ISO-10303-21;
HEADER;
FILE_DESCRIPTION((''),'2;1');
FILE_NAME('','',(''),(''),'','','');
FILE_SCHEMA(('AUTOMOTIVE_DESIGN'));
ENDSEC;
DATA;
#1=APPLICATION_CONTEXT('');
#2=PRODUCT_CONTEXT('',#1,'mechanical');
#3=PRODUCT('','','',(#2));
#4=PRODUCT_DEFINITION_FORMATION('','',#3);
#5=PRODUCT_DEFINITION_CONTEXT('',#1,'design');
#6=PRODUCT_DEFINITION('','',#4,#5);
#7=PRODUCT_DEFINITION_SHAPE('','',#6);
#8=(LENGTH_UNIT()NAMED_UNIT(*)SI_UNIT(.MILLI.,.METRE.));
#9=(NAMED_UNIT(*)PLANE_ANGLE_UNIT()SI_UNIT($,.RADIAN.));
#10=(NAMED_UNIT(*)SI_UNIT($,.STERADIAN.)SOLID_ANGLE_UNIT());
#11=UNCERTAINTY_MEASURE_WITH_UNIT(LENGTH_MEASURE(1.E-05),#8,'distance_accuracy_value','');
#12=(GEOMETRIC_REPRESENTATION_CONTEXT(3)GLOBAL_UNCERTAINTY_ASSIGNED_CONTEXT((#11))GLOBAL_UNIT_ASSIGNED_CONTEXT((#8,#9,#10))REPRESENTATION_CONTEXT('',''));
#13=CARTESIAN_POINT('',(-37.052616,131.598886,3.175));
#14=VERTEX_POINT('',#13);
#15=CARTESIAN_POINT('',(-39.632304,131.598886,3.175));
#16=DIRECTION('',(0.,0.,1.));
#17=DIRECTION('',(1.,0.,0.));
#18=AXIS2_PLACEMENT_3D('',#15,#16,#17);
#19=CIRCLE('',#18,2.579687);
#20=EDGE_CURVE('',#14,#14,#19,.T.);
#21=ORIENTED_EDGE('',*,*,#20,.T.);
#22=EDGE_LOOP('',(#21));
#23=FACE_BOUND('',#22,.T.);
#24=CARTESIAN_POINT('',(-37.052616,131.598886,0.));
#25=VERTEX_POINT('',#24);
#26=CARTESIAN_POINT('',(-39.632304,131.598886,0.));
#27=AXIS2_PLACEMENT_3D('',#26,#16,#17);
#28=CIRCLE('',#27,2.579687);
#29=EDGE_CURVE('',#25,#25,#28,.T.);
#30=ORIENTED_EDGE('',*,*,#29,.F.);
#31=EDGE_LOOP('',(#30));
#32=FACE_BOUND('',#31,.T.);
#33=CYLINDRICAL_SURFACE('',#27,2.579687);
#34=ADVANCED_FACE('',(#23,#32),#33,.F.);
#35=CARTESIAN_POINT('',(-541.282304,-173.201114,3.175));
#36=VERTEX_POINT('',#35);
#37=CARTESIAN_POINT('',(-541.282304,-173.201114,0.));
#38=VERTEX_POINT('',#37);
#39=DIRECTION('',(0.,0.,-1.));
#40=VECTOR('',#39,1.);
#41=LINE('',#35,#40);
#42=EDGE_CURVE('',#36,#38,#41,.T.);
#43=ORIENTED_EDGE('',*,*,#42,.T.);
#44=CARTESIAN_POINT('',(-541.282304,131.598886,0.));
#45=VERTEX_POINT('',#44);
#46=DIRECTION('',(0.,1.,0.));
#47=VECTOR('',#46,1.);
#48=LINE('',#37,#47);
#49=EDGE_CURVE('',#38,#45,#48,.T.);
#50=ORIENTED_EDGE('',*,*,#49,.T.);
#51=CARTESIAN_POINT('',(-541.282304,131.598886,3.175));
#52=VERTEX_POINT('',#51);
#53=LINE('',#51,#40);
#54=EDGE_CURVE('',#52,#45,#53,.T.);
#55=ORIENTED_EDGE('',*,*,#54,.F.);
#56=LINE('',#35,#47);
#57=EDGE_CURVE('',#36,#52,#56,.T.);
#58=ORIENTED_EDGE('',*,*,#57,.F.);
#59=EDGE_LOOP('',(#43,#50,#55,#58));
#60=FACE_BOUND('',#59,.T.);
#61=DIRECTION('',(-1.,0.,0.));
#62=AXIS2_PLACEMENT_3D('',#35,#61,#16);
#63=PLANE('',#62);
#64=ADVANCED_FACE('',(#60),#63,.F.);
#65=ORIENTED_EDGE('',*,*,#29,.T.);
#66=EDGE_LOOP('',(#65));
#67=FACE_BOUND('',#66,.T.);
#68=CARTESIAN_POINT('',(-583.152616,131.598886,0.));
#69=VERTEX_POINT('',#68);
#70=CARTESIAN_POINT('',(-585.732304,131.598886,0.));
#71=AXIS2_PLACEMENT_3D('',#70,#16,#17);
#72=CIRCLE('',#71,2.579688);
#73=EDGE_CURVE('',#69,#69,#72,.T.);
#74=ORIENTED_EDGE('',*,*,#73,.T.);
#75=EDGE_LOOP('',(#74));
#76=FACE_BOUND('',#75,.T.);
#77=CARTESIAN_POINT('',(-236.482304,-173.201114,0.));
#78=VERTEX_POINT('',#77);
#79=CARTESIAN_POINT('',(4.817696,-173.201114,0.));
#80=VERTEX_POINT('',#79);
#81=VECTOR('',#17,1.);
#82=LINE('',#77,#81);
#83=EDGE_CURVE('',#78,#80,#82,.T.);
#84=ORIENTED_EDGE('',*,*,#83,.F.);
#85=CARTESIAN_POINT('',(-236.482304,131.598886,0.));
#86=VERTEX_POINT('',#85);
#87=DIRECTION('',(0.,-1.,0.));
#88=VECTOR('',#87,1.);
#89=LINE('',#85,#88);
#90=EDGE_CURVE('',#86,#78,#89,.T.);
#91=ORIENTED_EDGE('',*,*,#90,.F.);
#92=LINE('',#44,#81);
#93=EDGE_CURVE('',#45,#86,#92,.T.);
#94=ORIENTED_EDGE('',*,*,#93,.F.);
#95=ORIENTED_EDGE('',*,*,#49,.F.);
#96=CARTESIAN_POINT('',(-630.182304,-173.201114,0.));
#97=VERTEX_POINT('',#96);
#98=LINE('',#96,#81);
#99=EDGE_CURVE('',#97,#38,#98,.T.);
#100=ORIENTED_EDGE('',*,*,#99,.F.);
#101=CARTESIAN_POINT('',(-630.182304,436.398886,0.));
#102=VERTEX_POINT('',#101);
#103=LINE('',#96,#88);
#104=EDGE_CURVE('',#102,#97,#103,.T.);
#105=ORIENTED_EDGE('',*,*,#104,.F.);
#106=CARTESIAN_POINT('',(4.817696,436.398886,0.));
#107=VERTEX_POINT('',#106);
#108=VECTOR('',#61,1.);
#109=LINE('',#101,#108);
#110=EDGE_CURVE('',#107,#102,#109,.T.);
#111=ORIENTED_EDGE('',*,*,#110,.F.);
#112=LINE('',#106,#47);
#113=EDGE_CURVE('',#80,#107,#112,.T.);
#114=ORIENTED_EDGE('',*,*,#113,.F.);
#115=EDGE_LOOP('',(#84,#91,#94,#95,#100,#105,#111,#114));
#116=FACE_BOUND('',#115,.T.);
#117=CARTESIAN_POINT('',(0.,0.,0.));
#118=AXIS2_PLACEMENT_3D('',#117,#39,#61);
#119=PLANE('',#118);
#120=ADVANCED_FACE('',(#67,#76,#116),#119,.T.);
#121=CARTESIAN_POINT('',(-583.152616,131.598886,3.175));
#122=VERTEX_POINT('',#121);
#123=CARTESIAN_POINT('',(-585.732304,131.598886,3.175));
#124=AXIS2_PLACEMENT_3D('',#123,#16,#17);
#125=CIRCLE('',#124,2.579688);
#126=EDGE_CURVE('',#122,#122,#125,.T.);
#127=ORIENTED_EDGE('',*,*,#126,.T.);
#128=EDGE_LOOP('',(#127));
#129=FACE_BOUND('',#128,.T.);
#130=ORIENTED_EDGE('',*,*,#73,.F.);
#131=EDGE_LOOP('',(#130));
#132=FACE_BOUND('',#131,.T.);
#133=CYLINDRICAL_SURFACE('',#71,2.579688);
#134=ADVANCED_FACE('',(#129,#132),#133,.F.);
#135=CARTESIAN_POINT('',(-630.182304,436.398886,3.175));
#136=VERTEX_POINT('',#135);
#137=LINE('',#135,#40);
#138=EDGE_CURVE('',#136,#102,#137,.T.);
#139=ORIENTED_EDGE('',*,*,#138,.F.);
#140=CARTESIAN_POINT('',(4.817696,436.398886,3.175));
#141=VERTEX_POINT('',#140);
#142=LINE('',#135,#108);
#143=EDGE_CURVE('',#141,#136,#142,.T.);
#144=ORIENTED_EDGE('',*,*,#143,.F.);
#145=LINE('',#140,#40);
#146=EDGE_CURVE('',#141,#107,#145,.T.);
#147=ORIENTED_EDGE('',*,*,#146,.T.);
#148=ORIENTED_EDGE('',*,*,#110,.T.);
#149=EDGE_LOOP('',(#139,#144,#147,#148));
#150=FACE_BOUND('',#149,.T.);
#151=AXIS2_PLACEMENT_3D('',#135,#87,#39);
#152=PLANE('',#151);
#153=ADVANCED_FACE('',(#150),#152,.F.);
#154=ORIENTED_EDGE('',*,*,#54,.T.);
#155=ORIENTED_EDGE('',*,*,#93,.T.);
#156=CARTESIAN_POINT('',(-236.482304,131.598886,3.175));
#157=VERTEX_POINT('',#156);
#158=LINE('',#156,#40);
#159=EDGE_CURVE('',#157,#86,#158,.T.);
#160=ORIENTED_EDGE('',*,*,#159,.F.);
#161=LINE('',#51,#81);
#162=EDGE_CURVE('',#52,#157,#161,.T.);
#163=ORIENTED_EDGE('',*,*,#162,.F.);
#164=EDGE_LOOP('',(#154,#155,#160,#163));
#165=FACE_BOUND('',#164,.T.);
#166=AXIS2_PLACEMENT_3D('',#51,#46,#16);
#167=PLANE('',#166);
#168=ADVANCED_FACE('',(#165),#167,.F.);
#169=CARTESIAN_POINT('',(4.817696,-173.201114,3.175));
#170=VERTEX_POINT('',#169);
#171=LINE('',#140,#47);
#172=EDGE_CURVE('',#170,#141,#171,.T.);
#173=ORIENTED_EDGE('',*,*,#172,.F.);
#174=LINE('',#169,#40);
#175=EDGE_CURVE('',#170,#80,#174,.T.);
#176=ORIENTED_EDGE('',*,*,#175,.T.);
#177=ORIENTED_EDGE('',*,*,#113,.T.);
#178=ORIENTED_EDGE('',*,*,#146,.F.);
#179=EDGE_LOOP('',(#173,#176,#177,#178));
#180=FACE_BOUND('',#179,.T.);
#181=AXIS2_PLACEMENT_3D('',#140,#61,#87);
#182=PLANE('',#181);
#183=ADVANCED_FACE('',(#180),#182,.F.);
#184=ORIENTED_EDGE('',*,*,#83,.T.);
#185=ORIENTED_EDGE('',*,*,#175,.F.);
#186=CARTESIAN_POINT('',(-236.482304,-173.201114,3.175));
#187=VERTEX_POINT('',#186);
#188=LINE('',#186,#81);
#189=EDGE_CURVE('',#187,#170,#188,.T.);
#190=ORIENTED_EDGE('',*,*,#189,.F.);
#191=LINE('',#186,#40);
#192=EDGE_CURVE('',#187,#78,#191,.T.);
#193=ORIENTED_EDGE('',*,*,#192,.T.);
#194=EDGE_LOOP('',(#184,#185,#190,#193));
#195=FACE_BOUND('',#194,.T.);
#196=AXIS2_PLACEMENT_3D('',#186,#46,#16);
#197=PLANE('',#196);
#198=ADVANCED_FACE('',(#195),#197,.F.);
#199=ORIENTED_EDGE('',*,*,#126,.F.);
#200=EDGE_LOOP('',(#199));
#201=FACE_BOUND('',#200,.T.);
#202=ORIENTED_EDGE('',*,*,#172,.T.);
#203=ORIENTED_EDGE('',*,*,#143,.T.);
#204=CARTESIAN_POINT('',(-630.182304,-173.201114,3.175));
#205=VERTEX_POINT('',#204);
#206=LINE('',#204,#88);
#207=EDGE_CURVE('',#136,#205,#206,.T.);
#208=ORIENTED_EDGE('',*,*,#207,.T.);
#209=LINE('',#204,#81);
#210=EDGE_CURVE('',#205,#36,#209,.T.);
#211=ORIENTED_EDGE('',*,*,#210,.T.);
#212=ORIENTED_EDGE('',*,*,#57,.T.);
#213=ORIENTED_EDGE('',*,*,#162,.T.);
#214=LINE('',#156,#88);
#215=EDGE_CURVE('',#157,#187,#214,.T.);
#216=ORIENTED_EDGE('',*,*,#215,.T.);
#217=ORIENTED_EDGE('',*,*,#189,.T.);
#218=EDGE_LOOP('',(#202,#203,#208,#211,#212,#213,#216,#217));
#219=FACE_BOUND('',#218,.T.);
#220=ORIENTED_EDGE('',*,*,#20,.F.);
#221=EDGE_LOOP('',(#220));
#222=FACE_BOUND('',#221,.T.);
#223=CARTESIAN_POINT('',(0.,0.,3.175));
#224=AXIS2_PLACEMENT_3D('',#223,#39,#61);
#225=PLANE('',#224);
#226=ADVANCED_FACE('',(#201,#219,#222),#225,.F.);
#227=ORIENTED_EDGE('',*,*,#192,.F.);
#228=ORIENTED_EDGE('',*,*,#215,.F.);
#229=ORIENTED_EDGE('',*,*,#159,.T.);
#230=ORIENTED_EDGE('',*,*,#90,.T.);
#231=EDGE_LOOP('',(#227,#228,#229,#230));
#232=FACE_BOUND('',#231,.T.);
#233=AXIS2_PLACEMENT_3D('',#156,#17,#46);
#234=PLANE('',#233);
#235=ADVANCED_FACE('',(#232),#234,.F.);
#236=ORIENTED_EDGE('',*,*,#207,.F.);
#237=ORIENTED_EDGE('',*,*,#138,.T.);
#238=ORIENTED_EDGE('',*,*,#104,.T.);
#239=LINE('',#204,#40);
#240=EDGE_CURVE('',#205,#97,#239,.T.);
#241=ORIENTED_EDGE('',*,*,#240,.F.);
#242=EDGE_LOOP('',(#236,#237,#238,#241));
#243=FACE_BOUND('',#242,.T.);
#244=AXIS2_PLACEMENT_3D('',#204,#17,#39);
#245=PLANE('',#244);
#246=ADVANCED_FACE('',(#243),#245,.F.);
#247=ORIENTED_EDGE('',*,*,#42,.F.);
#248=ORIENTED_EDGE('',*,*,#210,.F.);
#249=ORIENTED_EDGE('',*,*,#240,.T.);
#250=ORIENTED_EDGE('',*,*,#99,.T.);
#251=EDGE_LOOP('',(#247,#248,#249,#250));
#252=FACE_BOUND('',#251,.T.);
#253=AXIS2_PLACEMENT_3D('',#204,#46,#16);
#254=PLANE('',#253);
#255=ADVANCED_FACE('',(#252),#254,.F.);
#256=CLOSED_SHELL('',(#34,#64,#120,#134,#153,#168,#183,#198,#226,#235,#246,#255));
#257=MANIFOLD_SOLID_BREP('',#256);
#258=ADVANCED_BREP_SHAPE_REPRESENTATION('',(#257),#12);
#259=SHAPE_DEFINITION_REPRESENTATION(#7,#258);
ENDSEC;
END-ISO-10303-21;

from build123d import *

# Parameters (mm, degrees)
BOSS_EXTRUDE1_DEPTH = 3.175
SKETCH2_R           = 2.5796875
CUT_EXTRUDE1_DEPTH  = 3.175


with BuildPart() as part:
    # Sketch1 → Boss-Extrude1 (new body)
    with BuildSketch(Plane.XY):
        Polygon((-630.182303707, 436.398885794), (4.817696293, 436.398885794), (4.817696293, -173.201114206), (-236.482303707, -173.201114206), (-236.482303707, 131.598885794), (-541.282303707, 131.598885794), (-541.282303707, -173.201114206), (-630.182303707, -173.201114206), align=None)
    extrude(amount=BOSS_EXTRUDE1_DEPTH)

    # Sketch2 → Cut-Extrude1 (cut)
    with BuildSketch(Plane.XY.offset(3.175)):
        with Locations((-585.732303707, 131.598885794)):
            Circle(SKETCH2_R)
        with Locations((-39.632303707, 131.598885794)):
            Circle(SKETCH2_R)
    extrude(amount=-CUT_EXTRUDE1_DEPTH, mode=Mode.SUBTRACT)


solid = part.part
